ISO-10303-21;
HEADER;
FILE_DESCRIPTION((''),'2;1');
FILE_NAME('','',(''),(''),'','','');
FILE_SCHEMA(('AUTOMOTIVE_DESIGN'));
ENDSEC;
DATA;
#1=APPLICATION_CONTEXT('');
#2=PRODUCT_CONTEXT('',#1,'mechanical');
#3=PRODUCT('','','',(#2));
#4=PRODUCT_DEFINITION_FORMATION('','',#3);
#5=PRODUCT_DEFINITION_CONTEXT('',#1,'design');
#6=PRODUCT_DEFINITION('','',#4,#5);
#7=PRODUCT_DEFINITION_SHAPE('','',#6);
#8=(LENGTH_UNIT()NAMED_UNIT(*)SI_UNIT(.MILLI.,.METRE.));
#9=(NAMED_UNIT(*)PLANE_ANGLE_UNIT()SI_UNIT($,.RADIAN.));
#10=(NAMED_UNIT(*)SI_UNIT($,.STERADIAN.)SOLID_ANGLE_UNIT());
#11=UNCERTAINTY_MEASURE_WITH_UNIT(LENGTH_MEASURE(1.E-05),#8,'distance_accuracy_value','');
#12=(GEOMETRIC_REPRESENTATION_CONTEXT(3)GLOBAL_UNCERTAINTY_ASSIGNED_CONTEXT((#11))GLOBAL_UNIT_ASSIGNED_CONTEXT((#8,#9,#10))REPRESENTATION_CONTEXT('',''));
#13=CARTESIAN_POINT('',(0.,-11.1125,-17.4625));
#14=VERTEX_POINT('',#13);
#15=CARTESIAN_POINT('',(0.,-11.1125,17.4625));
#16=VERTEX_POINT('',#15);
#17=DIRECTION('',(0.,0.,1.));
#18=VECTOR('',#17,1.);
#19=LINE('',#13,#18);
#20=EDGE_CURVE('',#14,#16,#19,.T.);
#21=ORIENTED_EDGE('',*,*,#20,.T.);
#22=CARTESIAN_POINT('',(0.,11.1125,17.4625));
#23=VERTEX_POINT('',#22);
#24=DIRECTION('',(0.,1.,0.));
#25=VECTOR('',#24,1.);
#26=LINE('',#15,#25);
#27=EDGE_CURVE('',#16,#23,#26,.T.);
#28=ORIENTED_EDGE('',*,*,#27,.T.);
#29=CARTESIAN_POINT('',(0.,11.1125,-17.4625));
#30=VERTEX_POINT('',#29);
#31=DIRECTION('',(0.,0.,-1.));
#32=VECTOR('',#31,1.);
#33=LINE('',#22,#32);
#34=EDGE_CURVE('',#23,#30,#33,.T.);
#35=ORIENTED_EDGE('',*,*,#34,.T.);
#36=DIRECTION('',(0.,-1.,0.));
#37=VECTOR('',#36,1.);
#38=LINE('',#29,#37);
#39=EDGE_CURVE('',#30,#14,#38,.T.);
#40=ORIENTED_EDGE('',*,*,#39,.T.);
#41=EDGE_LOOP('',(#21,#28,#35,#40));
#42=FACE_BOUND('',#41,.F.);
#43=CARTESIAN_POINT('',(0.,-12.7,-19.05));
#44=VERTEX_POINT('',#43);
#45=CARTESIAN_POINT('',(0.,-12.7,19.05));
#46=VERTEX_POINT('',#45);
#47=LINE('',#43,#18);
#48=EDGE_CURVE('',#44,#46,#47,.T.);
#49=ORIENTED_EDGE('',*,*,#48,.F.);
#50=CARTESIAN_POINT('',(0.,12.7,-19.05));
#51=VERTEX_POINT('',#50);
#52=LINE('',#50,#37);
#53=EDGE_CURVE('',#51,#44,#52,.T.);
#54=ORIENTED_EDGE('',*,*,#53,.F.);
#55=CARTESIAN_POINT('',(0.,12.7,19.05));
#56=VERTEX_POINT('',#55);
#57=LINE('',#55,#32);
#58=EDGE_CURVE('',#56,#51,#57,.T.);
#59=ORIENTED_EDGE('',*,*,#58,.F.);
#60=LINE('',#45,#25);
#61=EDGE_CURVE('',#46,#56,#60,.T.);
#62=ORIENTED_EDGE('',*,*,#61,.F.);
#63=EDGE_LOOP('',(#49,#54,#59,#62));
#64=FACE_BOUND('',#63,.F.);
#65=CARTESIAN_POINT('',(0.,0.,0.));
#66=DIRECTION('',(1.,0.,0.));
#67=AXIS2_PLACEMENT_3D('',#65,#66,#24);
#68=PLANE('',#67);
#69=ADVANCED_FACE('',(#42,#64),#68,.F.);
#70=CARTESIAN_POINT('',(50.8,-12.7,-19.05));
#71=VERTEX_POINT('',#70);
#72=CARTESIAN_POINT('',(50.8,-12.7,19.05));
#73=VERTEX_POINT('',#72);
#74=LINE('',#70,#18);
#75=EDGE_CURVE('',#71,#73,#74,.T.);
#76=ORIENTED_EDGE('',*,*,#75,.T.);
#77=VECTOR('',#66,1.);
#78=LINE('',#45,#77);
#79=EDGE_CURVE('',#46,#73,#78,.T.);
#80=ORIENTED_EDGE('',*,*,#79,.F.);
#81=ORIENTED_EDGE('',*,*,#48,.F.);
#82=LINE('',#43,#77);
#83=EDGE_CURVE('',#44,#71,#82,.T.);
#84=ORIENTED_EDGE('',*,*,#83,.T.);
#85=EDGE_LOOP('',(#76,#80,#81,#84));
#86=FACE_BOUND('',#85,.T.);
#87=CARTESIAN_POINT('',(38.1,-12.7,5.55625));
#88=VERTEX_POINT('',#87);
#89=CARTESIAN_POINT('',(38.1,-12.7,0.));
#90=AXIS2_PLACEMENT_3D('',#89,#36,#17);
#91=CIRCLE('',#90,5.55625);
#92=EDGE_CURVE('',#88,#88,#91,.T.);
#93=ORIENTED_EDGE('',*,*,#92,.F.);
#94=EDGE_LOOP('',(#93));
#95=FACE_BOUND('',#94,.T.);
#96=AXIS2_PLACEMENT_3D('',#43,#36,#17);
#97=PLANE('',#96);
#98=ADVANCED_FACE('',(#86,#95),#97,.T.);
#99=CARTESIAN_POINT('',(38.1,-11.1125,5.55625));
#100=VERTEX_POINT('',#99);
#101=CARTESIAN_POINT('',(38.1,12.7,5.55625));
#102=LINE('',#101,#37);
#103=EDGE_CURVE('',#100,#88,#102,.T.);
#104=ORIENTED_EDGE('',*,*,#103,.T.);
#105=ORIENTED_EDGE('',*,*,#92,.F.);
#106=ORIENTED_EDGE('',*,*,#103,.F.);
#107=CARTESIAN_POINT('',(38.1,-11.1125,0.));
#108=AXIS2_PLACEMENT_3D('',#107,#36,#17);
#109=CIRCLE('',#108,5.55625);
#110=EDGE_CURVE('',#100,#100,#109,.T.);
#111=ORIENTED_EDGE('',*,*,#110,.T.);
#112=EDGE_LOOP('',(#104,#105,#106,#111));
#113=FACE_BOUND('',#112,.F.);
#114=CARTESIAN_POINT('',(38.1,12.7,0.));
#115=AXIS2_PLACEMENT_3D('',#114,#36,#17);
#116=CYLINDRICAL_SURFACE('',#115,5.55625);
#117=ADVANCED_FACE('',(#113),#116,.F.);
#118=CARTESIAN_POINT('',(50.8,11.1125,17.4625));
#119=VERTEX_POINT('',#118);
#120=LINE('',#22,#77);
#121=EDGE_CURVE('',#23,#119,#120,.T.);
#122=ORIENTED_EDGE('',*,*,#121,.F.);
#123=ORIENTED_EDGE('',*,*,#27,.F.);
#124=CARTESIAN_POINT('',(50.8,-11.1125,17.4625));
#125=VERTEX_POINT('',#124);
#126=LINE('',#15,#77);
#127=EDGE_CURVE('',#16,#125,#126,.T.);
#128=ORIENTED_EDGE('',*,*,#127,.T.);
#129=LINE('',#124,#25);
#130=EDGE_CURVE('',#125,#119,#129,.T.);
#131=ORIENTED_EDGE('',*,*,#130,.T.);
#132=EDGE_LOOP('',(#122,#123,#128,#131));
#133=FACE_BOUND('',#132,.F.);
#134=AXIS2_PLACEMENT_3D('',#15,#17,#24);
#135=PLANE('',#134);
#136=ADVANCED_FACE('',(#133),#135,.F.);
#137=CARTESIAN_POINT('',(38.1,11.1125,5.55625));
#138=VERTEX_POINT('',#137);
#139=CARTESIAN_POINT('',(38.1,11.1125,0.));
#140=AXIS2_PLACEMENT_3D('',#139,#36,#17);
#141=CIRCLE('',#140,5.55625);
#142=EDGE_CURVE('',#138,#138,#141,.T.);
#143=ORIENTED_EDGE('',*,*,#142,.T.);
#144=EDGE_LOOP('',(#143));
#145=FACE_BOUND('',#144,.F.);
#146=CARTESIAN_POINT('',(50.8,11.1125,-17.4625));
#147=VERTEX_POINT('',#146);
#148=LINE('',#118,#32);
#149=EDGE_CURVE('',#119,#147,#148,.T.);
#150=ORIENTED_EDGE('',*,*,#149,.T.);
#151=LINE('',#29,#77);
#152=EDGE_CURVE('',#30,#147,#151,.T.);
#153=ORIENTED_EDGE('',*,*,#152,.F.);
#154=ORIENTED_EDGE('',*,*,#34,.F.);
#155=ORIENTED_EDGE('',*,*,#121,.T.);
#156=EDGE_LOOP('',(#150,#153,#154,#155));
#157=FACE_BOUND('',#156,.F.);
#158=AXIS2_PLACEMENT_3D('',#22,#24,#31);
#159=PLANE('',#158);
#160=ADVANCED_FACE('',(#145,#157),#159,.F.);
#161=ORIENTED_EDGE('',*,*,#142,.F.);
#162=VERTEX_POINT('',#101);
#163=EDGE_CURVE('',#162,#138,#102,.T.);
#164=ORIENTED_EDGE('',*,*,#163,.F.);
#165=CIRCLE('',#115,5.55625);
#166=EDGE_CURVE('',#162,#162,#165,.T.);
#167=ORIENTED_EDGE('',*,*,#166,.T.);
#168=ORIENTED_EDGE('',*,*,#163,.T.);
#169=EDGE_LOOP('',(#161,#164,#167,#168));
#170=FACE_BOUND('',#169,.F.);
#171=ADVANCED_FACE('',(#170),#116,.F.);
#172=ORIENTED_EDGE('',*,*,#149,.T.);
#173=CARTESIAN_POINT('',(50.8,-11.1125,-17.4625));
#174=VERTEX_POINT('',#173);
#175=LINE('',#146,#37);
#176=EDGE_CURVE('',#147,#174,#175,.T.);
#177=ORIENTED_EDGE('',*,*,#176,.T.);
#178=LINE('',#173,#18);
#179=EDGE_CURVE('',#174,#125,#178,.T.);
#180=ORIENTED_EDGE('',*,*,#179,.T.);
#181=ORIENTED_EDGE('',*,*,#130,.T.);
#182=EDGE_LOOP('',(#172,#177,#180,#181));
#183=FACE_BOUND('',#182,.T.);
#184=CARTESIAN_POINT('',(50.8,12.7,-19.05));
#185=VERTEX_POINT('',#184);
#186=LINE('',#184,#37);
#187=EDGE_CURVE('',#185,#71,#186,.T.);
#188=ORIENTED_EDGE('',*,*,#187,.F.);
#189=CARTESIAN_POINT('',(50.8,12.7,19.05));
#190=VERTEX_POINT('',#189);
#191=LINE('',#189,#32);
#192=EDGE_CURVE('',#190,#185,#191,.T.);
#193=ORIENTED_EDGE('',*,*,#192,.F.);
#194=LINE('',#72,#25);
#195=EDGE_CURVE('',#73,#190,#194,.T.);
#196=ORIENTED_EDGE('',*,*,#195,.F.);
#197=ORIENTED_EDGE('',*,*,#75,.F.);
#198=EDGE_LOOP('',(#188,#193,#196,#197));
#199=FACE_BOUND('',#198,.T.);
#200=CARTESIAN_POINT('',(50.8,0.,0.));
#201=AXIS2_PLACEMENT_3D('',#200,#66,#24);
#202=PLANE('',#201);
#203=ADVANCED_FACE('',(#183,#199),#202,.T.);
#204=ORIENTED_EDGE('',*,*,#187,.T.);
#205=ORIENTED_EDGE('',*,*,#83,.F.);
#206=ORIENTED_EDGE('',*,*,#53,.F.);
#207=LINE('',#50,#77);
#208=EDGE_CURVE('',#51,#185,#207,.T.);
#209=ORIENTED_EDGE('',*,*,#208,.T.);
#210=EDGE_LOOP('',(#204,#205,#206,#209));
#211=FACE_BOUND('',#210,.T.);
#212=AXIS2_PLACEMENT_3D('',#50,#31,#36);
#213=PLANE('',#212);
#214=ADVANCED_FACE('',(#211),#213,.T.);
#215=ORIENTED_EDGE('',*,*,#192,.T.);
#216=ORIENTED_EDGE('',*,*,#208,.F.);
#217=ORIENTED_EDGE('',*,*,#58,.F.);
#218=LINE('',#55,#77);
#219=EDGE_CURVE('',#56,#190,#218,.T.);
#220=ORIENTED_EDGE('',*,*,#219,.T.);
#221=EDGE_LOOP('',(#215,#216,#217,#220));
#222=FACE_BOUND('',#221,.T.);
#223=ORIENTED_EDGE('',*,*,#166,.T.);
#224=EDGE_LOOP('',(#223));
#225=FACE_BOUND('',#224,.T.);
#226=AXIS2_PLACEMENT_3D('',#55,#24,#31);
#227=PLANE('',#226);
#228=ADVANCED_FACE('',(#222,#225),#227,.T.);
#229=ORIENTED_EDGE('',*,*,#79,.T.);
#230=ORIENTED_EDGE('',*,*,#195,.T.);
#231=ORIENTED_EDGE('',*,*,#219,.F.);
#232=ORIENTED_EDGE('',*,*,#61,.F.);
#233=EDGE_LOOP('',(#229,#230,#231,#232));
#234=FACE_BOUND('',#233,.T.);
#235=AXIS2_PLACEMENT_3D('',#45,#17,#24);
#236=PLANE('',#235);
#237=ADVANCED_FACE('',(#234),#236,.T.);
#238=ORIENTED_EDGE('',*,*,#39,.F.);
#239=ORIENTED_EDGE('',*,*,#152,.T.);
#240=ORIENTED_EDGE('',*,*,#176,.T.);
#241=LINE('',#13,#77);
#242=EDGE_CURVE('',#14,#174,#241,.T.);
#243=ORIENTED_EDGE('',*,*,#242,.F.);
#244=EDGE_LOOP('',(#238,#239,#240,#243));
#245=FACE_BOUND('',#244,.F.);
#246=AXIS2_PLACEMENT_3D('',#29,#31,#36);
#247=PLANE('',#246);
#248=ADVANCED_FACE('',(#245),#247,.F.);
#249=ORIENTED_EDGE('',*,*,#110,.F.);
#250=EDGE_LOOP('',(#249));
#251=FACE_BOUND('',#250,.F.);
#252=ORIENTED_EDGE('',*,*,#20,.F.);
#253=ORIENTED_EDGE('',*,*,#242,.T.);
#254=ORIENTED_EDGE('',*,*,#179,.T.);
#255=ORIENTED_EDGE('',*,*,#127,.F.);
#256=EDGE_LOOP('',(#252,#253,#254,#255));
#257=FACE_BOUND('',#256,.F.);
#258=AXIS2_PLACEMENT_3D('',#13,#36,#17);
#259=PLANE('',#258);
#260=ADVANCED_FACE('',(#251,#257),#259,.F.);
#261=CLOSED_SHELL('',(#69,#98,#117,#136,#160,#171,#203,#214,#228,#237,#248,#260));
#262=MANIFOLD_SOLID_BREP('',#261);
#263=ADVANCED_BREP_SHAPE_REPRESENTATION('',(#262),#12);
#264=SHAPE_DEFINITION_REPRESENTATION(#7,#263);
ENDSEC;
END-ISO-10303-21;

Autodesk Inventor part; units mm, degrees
ref_plane "Work Plane3" through (0, 12.7, 0) normal (0, 1, 0) x (-1, 0, 0)
ref_plane "Start Plane" through (0, 0, 0) normal (1, 0, 0) x (0, 1, 0)
ref_plane "End Plane" through (50.8, 0, 0) normal (1, 0, 0) x (0, 1, 0)
sketch "Sketch" plane through (0, 0, 0) normal (1, 0, 0) x (0, 1, 0)
  line L0 (-12.7, 19.05) -> (12.7, 19.05)
  line L1 (12.7, 19.05) -> (12.7, -19.05)
  line L2 (12.7, -19.05) -> (-12.7, -19.05)
  line L3 (-12.7, -19.05) -> (-12.7, 19.05)
  line L4 (-12.7, 19.05) -> (12.7, -19.05) construction
  line L5 (12.7, 19.05) -> (-12.7, -19.05) construction
  line L6 (-11.1125, 17.4625) -> (11.1125, 17.4625)
  line L7 (11.1125, 17.4625) -> (11.1125, -17.4625)
  line L8 (11.1125, -17.4625) -> (-11.1125, -17.4625)
  line L9 (-11.1125, -17.4625) -> (-11.1125, 17.4625)
  line L10 (-11.1125, 17.4625) -> (11.1125, -17.4625) construction
  line L11 (11.1125, 17.4625) -> (-11.1125, -17.4625) construction
  point P0 (0, 0)
  dimension "d0" = 38.1
  dimension "d1" = 25.4
  dimension "d2" = 1.5875
  dimension "d3" = 1.5875
extrude "Body" add sketch "Sketch" along normal up to surface (50.8 mm away) from surface at 0
sketch "Sketch8" plane through (0, 0, 0) normal (1, 0, 0) x (0, 1, 0)
  line L0 (0, 0) -> (10, 0)
ref_plane "Work Plane6" through (0, 0, 0) normal (0, 0, -1) x (0, 1, 0)
sketch "Sketch9" plane through (0, 0, 0) normal (0, 0, -1) x (0, 1, 0)
  line L0 (-17.78, 0) -> (17.78, 0)
  line L1 (-17.78, 50.8) -> (17.78, 50.8)
  dimension "d21" = 50.8
sketch "Sketch5" plane through (0, 12.7, -19.05) normal (0, 1, 0) x (1, 0, 0)
  line L0 (0, -38.1) -> (0, 0) projected
  point P0 (0, -19.05)
  point P1 (38.1, -19.05)
  dimension "d22" = 38.1
hole "Hole2" at (38.1, 12.7, 0) direction (0, -1, 0) diameter 11.1125 end through all
equation "\"d3\" = d2"
equation "\"G_OFFSET_START\" = 0"
equation "\"G_OFFSET_END\" = 0"
equation "\"d17\" = d4 + G_OFFSET_END"
equation "\"G_L\" = d21"
equation "\"d4\" = 50.8"
properties part number "1606067213154"
